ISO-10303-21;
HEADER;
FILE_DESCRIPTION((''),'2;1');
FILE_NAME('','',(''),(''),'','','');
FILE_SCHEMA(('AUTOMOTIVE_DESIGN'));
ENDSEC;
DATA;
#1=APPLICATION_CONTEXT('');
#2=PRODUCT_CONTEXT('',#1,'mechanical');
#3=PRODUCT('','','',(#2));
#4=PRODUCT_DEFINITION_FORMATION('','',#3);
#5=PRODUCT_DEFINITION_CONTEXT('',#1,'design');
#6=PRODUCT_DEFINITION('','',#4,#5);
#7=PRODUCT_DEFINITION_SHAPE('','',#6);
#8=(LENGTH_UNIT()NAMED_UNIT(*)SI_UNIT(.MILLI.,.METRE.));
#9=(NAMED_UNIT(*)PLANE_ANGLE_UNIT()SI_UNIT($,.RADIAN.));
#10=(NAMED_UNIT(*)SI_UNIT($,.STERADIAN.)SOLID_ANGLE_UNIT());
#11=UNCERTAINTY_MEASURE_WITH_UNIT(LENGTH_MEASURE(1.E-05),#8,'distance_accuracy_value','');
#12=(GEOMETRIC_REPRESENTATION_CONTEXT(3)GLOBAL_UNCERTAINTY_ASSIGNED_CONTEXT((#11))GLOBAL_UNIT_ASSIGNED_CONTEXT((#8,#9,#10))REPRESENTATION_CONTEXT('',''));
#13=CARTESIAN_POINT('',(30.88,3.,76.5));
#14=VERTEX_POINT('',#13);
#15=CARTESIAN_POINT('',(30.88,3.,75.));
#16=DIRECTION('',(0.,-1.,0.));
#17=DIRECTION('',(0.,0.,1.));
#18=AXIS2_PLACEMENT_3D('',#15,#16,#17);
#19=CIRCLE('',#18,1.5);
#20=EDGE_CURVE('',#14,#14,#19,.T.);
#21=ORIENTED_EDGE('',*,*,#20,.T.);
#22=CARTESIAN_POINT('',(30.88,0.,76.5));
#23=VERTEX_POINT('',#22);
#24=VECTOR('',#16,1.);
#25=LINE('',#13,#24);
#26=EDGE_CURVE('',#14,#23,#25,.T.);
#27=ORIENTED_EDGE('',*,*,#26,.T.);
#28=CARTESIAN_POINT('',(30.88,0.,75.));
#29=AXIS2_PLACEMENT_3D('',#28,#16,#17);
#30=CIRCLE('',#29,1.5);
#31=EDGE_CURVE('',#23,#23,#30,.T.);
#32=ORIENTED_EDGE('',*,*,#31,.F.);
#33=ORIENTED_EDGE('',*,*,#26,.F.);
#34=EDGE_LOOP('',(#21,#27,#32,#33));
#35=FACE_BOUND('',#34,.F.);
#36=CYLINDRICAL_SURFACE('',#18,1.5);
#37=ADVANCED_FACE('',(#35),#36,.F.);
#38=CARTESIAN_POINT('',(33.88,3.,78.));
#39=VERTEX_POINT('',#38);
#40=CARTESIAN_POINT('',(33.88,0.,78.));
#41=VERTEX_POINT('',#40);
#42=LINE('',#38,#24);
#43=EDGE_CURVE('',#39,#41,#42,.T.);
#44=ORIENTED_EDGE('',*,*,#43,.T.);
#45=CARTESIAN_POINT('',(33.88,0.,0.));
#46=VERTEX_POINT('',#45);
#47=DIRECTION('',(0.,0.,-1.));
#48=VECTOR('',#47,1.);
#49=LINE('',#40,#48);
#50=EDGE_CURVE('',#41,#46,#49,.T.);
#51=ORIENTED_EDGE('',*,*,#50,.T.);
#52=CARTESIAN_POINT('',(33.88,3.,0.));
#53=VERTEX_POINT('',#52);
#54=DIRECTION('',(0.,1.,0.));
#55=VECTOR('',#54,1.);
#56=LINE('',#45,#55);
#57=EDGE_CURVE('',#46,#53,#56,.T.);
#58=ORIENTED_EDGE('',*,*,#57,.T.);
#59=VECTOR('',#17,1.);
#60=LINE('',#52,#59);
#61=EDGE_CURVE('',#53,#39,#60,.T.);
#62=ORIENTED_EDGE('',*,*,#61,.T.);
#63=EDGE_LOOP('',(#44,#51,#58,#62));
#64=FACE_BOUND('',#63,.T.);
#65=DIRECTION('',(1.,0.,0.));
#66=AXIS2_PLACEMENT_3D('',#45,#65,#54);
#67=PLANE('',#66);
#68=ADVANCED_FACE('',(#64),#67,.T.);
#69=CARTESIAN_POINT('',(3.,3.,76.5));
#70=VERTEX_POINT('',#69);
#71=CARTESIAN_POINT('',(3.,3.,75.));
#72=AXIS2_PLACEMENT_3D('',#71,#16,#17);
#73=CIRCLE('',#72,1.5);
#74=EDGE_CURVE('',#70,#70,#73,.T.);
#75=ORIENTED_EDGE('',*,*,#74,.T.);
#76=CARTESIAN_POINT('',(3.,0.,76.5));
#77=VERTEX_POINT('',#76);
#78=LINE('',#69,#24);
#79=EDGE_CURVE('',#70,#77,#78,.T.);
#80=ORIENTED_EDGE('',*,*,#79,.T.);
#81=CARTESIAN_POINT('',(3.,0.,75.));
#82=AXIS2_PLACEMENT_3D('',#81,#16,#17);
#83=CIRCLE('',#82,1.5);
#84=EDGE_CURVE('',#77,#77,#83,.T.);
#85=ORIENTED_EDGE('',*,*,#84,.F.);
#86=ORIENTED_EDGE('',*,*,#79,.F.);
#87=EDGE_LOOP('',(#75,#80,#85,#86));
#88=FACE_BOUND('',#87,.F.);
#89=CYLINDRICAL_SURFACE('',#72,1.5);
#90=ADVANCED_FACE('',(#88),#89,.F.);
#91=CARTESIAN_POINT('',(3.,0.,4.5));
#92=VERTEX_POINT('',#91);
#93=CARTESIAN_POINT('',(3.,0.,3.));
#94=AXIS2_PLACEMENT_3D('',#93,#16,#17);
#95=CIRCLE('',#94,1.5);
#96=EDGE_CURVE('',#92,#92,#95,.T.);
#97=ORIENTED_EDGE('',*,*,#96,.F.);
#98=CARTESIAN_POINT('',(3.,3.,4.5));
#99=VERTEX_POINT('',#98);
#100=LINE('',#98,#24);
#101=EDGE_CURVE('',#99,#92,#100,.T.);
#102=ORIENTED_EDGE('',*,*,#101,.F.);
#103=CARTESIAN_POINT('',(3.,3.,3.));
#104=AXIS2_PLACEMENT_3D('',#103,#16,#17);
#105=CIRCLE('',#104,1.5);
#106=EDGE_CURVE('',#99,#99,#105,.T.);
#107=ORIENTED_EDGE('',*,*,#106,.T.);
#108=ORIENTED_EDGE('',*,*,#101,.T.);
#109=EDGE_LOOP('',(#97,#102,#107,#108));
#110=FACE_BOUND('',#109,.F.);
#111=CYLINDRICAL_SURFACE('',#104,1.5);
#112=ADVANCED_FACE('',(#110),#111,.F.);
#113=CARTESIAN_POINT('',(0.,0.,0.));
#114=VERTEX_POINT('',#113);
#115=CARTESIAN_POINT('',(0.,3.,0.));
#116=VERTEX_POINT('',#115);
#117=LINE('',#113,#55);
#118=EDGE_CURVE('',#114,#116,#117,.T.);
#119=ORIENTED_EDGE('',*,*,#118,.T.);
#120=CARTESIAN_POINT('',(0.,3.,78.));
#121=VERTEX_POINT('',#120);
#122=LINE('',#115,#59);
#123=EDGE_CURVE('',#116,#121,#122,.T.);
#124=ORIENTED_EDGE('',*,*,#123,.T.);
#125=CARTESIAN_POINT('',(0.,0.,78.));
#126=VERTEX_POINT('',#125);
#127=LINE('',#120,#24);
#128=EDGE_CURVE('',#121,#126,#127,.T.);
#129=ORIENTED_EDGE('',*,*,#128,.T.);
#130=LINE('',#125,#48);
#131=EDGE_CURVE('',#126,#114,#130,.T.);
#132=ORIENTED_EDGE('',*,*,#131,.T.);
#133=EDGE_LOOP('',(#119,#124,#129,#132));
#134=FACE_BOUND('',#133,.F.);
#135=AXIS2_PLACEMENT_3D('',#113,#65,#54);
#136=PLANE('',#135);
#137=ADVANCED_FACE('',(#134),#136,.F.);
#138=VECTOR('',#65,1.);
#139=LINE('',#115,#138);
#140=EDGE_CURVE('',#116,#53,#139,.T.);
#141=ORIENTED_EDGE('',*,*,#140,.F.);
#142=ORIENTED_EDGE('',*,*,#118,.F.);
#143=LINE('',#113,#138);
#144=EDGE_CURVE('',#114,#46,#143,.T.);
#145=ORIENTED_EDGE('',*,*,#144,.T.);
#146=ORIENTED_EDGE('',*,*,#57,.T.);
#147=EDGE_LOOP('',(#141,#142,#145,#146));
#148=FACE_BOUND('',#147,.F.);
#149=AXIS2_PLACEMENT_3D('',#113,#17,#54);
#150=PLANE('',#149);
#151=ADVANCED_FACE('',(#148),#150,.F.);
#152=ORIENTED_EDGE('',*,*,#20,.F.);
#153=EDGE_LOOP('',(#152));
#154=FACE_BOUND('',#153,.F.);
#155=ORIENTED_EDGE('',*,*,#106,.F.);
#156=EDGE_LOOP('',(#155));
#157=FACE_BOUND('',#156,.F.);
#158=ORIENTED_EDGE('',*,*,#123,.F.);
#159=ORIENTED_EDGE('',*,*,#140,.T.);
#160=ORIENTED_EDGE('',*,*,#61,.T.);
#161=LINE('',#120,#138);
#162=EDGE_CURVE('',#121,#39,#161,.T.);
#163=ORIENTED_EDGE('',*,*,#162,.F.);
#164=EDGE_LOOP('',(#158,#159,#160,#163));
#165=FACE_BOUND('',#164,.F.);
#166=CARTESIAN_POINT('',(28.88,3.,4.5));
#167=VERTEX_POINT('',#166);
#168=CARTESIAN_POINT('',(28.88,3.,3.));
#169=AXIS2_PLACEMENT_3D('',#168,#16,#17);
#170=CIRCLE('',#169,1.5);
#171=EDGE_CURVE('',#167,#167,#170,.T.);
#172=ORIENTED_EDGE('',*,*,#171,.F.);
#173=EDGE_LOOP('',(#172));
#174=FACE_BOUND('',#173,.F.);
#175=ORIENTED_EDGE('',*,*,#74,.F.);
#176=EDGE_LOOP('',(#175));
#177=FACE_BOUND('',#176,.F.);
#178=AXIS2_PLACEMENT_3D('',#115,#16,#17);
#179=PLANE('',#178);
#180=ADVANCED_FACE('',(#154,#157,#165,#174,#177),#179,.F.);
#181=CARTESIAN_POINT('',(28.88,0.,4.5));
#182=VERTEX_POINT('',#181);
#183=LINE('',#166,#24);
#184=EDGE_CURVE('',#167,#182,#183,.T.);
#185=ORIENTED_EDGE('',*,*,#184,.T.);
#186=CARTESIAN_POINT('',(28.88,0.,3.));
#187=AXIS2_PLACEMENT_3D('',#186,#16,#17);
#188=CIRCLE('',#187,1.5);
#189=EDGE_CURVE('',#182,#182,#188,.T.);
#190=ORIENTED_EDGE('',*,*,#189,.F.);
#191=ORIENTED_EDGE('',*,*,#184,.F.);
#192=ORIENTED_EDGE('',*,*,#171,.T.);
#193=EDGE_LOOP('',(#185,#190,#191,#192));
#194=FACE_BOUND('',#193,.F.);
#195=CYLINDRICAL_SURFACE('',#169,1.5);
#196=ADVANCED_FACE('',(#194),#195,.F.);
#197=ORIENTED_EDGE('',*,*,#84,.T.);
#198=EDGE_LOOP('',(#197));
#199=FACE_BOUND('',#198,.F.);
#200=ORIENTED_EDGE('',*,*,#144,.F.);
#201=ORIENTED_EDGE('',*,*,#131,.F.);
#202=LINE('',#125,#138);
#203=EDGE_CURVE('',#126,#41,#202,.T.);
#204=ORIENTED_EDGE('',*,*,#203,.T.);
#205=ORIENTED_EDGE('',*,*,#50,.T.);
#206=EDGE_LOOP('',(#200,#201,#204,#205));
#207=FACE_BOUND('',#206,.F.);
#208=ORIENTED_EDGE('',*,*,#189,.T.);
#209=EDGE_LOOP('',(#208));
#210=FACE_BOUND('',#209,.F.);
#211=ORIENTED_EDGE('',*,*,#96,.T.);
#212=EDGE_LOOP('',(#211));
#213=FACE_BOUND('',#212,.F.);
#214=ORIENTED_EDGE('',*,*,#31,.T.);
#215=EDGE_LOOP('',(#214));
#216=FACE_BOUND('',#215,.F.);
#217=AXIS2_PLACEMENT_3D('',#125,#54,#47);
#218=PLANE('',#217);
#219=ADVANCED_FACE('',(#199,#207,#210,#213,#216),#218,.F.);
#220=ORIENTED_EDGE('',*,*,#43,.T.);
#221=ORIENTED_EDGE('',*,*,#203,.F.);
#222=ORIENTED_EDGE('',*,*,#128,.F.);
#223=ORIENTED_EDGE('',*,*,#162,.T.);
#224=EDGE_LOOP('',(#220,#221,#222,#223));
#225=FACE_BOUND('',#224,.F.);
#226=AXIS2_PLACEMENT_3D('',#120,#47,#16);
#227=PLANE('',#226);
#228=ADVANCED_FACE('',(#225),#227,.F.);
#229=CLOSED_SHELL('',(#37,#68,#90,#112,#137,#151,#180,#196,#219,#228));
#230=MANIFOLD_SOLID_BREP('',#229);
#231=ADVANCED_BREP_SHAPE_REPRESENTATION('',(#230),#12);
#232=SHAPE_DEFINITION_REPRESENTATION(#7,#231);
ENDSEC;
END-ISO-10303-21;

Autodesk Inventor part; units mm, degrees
ref_plane "YZ Plane" through (0, 0, 0) normal (1, 0, 0) x (0, 1, 0)
ref_plane "XZ Plane" through (0, 0, 0) normal (0, 1, 0) x (-1, 0, 0)
ref_plane "Plano de trabajo2" through (33.88, 0, 75) normal (-1, 0, 0) x (0, 0, 1)
sketch "Boceto2" plane through (0, 0, 0) normal (1, 0, 0) x (0, 1, 0)
  line L0 (0, 0) -> (3, 0)
  line L1 (3, 0) -> (3, 78)
  line L2 (3, 78) -> (0, 78)
  line L3 (0, 78) -> (0, 0)
  dimension "d4" = 3
  dimension "d5" = 78
extrude "Extrusión2" add sketch "Boceto2" along normal up to surface (33.88 mm away)
sketch "Boceto3" plane through (0, 3, 78) normal (0, 1, 0) x (1, 0, 0)
  circle A0 centre (3, 3) radius 2.1 projected
  circle A1 centre (30.88, 3) radius 2.1 projected
  circle A2 centre (3, 75) radius 2.1 projected
  circle A3 centre (28.88, 75) radius 2.1 projected
  point P0 (0, 78)
hole "Agujero1" at (3, 3, 75) at (30.88, 3, 75) at (3, 3, 3) at (28.88, 3, 3) direction (0, -1, 0) diameter 3 depth 5
properties part number "Lateral trasero"
